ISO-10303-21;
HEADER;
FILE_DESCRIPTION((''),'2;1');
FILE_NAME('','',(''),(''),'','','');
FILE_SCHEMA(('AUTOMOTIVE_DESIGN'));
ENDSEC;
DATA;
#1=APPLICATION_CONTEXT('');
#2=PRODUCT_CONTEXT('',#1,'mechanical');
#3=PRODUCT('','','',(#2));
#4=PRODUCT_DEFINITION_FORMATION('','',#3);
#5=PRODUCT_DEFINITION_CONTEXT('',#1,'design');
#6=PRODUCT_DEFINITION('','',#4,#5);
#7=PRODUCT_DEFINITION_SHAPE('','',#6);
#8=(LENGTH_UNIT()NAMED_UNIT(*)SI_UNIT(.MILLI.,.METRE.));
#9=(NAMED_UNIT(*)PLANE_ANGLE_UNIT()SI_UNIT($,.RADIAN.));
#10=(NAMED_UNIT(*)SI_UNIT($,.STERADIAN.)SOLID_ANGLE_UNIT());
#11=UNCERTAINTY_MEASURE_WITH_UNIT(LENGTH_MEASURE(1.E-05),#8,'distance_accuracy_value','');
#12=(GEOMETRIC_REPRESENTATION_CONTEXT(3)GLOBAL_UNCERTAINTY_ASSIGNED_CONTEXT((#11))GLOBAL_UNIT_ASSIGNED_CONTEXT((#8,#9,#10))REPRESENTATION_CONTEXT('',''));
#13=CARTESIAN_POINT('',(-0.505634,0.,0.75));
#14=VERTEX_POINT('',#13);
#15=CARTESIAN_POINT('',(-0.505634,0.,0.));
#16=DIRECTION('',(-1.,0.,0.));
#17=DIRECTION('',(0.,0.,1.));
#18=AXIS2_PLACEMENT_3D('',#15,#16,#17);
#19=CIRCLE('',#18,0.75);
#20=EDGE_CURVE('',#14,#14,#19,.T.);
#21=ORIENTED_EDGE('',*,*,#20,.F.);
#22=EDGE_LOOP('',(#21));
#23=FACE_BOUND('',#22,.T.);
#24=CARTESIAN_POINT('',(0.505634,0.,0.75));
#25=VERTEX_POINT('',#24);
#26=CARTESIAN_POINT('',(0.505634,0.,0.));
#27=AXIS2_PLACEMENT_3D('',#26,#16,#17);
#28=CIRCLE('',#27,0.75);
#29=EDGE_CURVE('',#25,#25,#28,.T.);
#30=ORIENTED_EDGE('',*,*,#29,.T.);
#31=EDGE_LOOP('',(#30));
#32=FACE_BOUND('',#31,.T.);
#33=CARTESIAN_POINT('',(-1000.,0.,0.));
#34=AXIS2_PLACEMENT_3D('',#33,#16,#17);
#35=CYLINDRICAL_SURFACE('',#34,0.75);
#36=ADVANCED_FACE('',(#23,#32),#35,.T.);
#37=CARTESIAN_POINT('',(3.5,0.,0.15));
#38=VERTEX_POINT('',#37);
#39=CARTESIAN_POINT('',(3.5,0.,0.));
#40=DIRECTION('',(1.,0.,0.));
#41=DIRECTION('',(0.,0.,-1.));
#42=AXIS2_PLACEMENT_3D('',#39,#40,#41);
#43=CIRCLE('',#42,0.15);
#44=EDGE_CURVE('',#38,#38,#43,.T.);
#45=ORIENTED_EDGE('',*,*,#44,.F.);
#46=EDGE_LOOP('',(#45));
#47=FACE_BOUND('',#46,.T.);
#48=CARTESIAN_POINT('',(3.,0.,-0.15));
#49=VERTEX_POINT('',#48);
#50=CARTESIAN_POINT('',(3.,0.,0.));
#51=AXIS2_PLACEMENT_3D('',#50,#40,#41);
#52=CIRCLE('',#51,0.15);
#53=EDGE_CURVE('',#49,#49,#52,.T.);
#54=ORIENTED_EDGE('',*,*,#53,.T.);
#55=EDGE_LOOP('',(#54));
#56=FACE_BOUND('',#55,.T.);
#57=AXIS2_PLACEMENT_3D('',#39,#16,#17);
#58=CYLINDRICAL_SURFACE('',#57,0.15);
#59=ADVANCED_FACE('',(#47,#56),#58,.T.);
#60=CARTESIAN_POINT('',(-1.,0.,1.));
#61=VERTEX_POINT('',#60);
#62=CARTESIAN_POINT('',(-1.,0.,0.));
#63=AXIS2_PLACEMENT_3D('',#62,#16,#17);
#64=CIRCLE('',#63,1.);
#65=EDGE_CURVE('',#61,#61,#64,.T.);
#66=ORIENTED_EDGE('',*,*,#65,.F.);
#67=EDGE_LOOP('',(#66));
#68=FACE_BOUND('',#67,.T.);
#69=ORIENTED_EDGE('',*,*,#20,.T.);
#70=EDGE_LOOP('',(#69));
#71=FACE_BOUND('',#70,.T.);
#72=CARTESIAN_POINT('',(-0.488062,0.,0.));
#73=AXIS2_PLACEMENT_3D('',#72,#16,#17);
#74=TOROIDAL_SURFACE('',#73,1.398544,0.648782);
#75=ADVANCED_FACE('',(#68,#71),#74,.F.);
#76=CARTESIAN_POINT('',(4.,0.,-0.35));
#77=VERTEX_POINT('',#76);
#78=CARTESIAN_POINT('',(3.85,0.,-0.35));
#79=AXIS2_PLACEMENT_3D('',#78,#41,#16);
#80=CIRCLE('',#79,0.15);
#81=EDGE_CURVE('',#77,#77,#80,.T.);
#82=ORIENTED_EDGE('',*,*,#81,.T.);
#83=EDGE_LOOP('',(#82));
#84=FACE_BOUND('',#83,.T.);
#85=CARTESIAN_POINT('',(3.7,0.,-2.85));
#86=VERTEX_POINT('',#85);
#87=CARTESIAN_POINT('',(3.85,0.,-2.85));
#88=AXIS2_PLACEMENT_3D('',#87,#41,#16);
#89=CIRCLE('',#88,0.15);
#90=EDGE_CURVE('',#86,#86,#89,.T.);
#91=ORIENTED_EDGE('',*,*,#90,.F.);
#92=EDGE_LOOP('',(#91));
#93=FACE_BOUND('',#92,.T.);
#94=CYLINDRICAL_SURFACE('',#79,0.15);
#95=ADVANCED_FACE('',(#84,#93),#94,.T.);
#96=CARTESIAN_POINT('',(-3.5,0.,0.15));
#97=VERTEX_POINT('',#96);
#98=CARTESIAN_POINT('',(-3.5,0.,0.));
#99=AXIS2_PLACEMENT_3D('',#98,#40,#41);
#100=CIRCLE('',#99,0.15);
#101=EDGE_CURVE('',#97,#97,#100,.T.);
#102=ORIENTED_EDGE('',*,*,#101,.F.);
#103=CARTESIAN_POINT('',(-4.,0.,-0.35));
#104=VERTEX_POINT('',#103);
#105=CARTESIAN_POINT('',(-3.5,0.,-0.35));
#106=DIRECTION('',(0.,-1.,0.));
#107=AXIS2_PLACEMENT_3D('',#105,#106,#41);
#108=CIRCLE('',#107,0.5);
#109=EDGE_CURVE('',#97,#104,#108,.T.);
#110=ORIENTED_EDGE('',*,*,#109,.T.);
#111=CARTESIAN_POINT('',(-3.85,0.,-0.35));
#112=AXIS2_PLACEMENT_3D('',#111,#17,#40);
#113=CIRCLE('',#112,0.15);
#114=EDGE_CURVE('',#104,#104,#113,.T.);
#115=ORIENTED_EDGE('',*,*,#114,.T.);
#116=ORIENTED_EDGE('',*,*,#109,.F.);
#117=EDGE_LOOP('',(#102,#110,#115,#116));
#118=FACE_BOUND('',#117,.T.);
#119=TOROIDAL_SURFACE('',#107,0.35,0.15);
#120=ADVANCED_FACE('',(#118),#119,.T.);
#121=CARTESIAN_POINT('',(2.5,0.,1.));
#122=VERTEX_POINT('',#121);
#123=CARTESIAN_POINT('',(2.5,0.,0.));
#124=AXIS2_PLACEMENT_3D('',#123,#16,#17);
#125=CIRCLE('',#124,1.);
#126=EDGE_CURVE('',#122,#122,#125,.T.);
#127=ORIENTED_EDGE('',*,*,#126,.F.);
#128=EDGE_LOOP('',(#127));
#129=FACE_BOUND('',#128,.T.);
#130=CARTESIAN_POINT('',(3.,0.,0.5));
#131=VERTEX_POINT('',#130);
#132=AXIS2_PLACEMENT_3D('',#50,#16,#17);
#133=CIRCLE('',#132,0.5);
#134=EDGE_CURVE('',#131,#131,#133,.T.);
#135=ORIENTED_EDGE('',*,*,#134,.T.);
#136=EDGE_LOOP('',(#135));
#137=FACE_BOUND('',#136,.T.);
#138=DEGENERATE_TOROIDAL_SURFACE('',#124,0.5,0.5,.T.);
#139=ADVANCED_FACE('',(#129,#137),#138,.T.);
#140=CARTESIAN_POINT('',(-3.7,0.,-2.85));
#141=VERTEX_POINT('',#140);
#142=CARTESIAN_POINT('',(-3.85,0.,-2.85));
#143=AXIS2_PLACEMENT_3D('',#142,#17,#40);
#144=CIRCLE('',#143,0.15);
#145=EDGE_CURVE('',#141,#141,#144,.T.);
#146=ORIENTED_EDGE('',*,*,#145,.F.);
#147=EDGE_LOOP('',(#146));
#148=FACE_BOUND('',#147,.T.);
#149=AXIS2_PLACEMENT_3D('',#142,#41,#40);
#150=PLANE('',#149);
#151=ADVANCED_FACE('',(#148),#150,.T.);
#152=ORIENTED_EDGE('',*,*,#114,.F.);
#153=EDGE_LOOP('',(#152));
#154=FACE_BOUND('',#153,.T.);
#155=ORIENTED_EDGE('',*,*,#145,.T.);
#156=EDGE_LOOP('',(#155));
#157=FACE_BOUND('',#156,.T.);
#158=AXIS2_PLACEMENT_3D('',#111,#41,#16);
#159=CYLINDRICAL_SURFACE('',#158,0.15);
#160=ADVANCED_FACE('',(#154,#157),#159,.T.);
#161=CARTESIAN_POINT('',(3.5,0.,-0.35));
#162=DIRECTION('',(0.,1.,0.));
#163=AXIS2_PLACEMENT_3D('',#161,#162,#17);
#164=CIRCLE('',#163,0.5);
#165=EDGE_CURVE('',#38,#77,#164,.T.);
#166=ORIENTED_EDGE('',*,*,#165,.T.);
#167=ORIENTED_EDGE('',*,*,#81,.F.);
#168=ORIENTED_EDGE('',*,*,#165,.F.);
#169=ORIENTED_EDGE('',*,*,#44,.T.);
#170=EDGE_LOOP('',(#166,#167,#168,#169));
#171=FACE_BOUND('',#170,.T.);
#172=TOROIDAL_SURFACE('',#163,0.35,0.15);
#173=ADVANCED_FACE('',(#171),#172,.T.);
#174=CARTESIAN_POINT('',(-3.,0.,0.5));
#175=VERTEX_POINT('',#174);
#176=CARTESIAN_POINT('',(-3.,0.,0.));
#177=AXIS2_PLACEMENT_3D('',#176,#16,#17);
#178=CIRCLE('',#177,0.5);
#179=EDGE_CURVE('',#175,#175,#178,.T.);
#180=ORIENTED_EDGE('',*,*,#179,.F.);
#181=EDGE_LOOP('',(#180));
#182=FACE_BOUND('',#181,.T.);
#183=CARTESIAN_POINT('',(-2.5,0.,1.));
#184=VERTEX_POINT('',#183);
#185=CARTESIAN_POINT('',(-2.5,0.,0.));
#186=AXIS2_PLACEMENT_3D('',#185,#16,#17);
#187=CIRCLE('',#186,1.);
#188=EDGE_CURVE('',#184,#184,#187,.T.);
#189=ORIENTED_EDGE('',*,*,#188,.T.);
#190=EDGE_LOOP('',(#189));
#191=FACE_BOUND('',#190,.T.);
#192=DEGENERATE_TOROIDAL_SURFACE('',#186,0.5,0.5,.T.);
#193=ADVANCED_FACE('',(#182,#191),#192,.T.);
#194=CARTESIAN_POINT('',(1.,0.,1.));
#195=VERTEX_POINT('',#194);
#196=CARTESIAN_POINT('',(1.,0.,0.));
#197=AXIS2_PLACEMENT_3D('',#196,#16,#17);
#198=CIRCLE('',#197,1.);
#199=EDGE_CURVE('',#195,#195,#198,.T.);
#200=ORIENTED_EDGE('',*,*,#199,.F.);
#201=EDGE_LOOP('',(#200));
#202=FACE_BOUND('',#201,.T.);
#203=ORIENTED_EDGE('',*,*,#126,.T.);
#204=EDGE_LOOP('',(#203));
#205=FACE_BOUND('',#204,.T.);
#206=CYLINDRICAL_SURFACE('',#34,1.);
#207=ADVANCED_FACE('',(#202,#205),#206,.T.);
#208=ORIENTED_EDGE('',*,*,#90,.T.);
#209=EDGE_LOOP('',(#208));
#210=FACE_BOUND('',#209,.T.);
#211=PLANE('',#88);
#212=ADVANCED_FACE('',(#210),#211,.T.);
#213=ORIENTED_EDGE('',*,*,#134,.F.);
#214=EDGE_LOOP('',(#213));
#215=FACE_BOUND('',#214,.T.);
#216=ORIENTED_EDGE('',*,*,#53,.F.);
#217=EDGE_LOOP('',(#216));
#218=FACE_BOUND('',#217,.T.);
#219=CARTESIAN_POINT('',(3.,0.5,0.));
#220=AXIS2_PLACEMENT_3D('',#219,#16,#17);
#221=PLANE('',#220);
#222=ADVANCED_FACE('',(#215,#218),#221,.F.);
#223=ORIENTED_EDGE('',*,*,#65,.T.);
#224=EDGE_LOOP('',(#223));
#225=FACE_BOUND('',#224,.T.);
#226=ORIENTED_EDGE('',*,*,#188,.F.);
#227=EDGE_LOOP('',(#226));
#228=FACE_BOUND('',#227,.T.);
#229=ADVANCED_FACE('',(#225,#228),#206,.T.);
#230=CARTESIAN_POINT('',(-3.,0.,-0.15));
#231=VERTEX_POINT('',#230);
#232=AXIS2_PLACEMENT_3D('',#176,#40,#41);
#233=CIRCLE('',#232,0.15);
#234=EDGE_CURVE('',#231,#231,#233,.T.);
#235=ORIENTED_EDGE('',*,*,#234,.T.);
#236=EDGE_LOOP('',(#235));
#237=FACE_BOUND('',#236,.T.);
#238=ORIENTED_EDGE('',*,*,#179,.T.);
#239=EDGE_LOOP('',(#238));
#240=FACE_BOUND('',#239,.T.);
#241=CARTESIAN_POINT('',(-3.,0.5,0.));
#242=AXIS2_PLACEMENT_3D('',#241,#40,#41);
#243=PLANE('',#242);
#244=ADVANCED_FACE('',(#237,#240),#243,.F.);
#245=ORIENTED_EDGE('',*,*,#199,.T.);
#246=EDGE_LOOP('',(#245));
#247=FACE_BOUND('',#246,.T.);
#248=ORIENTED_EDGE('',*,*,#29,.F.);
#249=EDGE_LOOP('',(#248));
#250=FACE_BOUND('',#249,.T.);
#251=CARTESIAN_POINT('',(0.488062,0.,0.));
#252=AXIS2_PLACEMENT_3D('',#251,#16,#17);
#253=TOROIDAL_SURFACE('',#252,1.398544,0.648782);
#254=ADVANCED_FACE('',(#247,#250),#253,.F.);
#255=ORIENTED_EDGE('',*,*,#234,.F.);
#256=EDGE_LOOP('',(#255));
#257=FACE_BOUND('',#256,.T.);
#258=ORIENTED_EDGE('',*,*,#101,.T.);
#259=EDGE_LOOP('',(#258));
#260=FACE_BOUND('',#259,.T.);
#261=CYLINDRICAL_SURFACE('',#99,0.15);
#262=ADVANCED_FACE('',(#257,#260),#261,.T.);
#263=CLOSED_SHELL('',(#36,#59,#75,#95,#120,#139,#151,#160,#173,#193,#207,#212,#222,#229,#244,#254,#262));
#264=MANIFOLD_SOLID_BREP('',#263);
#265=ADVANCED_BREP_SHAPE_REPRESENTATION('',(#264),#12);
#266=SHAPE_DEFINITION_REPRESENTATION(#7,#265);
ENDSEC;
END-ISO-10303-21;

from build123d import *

# Parameters (mm, degrees)
SKETCH_2_R = 0.15


with BuildPart() as part:
    # 草图1 → 旋转1 (revolve)
    with BuildSketch(Plane.XY, mode=Mode.PRIVATE) as revolve_1_sk:
        with BuildLine():
            Line((3, 0.5), (3, 0))
            Line((3, 0), (-3, 0))
            Line((-3, 0), (-3, 0.5))
            ThreePointArc((-3, 0.5), (-2.853553391, 0.853553391), (-2.5, 1))
            Line((-2.5, 1), (-1, 1))
            ThreePointArc((-1, 1), (-0.780842208, 0.819581425), (-0.505634241, 0.75))
            Line((-0.505634241, 0.75), (0.505634241, 0.75))
            ThreePointArc((0.505634241, 0.75), (0.780842208, 0.819581425), (1, 1))
            Line((1, 1), (2.5, 1))
            ThreePointArc((2.5, 1), (2.853553391, 0.853553391), (3, 0.5))
        make_face()
    revolve(revolve_1_sk.sketch.rotate(Axis((-1000, 0, 0), (1, 0, 0)), 90), axis=Axis((-1000, 0, 0), (1, 0, 0)))

    # 扫描1: sweep along a path in 草图3
    with BuildLine(Plane(origin=(0, 0, 0), x_dir=(1, 0, 0), z_dir=(0, 1, 0))) as sweep_1_path:
        Line((3, -0.15), (3.5, -0.15))
        ThreePointArc((3.5, -0.15), (3.853553391, -0.003553391), (4, 0.35))
        Line((4, 0.35), (4, 2.85))
    # 草图2 → 扫描1 (sweep)
    with BuildSketch(Plane(origin=(3, 0, 0), x_dir=(0, 0, -1), z_dir=(1, 0, 0))):
        Circle(SKETCH_2_R)
    sweep_1 = sweep(path=sweep_1_path.line)

    # 镜向1: 扫描1 across plane
    add(sweep_1.mirror(Plane(origin=(0, 0, 0), x_dir=(0, 0, 1), z_dir=(1, 0, 0))))


solid = part.part
